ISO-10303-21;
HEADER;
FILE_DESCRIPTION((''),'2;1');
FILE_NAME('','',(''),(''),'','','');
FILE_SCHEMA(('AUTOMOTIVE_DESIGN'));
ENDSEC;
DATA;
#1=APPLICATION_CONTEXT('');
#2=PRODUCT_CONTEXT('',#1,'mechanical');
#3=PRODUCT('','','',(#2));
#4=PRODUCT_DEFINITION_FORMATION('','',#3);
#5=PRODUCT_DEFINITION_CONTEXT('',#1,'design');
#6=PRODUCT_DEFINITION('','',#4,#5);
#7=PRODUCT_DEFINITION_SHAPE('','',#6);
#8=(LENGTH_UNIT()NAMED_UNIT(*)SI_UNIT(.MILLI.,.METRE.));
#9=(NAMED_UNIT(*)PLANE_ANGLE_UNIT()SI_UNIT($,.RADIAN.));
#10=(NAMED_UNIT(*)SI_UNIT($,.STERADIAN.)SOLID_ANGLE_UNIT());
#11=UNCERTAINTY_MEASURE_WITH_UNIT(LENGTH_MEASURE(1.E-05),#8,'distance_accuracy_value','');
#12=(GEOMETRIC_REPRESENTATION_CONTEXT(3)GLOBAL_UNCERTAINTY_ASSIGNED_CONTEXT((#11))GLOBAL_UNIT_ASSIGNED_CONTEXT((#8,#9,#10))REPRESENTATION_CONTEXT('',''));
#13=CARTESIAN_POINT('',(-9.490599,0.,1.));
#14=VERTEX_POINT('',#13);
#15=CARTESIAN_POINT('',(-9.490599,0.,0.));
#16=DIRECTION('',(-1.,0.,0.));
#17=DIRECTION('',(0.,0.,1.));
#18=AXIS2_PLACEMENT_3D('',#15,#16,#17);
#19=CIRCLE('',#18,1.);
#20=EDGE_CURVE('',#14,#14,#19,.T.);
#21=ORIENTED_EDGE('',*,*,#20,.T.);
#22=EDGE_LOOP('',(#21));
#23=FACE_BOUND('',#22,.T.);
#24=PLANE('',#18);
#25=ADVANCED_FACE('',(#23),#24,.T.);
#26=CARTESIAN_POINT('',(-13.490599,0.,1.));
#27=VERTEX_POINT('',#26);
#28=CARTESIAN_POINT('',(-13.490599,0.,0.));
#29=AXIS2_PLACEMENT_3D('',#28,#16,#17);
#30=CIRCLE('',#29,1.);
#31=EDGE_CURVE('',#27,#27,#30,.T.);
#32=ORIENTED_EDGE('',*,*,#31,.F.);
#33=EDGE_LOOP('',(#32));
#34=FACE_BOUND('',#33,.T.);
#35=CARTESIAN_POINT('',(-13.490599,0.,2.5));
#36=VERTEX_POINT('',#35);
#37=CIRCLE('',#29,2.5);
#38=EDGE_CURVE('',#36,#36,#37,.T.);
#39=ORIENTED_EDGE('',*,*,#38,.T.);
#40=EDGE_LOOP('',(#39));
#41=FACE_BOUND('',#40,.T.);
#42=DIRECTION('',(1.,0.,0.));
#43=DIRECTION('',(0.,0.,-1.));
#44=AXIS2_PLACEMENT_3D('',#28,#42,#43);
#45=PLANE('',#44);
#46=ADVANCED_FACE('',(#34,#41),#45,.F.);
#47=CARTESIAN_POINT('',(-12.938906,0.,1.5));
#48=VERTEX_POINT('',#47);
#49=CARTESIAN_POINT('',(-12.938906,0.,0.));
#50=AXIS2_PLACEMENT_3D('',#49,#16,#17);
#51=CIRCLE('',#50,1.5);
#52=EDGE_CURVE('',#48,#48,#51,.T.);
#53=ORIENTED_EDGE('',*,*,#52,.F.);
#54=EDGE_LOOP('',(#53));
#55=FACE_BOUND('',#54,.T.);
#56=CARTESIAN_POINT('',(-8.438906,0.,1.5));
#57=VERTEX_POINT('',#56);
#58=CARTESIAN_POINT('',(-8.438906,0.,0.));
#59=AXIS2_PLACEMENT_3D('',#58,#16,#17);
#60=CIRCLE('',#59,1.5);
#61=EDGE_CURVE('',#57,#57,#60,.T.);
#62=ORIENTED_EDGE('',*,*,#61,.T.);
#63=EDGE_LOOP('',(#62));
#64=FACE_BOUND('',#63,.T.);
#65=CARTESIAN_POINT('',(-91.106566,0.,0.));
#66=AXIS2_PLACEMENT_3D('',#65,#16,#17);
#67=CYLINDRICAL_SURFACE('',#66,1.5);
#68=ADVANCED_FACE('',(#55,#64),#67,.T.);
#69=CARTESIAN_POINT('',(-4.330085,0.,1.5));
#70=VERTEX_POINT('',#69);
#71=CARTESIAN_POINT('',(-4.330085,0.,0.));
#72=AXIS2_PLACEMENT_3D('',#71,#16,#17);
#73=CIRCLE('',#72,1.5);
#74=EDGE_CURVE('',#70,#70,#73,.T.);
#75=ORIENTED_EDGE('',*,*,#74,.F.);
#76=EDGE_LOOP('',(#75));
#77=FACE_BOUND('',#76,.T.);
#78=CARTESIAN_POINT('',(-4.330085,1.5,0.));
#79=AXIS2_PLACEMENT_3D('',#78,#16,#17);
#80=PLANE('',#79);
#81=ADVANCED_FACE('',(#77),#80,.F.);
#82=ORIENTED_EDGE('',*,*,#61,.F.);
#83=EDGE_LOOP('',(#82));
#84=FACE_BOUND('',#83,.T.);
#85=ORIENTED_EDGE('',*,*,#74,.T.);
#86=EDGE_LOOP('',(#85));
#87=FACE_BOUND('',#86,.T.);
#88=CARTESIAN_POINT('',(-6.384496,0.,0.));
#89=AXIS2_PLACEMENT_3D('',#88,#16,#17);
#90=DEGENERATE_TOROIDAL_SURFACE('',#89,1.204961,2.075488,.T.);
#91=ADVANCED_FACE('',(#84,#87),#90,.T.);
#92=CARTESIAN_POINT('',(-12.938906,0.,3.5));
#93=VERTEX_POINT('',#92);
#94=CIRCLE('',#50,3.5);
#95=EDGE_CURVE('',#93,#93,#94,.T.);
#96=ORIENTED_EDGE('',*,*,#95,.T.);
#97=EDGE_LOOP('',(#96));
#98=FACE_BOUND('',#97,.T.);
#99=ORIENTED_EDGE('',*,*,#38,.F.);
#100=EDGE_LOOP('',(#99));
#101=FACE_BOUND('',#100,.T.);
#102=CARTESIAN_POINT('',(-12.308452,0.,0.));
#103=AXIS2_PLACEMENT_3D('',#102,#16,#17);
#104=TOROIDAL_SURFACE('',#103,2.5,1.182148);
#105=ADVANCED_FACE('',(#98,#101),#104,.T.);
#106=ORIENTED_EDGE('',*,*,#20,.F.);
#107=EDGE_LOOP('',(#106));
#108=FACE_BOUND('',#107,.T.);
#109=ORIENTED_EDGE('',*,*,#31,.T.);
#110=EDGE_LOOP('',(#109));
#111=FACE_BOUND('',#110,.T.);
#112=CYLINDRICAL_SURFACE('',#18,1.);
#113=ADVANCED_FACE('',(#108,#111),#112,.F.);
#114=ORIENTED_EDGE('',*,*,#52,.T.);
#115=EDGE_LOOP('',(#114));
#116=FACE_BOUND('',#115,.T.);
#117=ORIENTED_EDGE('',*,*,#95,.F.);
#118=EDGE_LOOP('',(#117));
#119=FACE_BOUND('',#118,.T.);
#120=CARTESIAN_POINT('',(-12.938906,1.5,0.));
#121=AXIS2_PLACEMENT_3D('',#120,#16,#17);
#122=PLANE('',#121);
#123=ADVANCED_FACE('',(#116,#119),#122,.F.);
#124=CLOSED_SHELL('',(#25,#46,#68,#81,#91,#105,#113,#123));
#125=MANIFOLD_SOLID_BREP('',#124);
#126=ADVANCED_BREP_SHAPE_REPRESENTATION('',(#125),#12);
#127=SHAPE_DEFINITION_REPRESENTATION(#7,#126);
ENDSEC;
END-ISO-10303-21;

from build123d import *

# Parameters (mm, degrees)
ESQUISSE2_R      = 1
EXTRUSION1_DEPTH = 4


with BuildPart() as part:
    # Esquisse1 → Révolution1 (revolve)
    with BuildSketch(Plane.XY, mode=Mode.PRIVATE) as r_volution1_sk:
        with BuildLine():
            Line((-13.490599357, 0), (-13.490599357, 2.5))
            ThreePointArc((-13.490599357, 2.5), (-13.343527434, 3.071044042), (-12.938906334, 3.5))
            Line((-12.938906334, 3.5), (-12.938906334, 1.5))
            Line((-12.938906334, 1.5), (-8.438906334, 1.5))
            ThreePointArc((-8.438906334, 1.5), (-6.384495581, 3.280449293), (-4.330084828, 1.5))
            Line((-4.330084828, 1.5), (-4.330084828, 0))
            Line((-4.330084828, 0), (-13.490599357, 0))
        make_face()
    revolve(r_volution1_sk.sketch.rotate(Axis((-91.106565723, 0, 0), (1, 0, 0)), 90), axis=Axis((-91.106565723, 0, 0), (1, 0, 0)))

    # Esquisse2 → Extrusion1 (cut)
    with BuildSketch(Plane.ZY.offset(13.490599357)):
        Circle(ESQUISSE2_R)
    extrude(amount=-EXTRUSION1_DEPTH, mode=Mode.SUBTRACT)


solid = part.part
